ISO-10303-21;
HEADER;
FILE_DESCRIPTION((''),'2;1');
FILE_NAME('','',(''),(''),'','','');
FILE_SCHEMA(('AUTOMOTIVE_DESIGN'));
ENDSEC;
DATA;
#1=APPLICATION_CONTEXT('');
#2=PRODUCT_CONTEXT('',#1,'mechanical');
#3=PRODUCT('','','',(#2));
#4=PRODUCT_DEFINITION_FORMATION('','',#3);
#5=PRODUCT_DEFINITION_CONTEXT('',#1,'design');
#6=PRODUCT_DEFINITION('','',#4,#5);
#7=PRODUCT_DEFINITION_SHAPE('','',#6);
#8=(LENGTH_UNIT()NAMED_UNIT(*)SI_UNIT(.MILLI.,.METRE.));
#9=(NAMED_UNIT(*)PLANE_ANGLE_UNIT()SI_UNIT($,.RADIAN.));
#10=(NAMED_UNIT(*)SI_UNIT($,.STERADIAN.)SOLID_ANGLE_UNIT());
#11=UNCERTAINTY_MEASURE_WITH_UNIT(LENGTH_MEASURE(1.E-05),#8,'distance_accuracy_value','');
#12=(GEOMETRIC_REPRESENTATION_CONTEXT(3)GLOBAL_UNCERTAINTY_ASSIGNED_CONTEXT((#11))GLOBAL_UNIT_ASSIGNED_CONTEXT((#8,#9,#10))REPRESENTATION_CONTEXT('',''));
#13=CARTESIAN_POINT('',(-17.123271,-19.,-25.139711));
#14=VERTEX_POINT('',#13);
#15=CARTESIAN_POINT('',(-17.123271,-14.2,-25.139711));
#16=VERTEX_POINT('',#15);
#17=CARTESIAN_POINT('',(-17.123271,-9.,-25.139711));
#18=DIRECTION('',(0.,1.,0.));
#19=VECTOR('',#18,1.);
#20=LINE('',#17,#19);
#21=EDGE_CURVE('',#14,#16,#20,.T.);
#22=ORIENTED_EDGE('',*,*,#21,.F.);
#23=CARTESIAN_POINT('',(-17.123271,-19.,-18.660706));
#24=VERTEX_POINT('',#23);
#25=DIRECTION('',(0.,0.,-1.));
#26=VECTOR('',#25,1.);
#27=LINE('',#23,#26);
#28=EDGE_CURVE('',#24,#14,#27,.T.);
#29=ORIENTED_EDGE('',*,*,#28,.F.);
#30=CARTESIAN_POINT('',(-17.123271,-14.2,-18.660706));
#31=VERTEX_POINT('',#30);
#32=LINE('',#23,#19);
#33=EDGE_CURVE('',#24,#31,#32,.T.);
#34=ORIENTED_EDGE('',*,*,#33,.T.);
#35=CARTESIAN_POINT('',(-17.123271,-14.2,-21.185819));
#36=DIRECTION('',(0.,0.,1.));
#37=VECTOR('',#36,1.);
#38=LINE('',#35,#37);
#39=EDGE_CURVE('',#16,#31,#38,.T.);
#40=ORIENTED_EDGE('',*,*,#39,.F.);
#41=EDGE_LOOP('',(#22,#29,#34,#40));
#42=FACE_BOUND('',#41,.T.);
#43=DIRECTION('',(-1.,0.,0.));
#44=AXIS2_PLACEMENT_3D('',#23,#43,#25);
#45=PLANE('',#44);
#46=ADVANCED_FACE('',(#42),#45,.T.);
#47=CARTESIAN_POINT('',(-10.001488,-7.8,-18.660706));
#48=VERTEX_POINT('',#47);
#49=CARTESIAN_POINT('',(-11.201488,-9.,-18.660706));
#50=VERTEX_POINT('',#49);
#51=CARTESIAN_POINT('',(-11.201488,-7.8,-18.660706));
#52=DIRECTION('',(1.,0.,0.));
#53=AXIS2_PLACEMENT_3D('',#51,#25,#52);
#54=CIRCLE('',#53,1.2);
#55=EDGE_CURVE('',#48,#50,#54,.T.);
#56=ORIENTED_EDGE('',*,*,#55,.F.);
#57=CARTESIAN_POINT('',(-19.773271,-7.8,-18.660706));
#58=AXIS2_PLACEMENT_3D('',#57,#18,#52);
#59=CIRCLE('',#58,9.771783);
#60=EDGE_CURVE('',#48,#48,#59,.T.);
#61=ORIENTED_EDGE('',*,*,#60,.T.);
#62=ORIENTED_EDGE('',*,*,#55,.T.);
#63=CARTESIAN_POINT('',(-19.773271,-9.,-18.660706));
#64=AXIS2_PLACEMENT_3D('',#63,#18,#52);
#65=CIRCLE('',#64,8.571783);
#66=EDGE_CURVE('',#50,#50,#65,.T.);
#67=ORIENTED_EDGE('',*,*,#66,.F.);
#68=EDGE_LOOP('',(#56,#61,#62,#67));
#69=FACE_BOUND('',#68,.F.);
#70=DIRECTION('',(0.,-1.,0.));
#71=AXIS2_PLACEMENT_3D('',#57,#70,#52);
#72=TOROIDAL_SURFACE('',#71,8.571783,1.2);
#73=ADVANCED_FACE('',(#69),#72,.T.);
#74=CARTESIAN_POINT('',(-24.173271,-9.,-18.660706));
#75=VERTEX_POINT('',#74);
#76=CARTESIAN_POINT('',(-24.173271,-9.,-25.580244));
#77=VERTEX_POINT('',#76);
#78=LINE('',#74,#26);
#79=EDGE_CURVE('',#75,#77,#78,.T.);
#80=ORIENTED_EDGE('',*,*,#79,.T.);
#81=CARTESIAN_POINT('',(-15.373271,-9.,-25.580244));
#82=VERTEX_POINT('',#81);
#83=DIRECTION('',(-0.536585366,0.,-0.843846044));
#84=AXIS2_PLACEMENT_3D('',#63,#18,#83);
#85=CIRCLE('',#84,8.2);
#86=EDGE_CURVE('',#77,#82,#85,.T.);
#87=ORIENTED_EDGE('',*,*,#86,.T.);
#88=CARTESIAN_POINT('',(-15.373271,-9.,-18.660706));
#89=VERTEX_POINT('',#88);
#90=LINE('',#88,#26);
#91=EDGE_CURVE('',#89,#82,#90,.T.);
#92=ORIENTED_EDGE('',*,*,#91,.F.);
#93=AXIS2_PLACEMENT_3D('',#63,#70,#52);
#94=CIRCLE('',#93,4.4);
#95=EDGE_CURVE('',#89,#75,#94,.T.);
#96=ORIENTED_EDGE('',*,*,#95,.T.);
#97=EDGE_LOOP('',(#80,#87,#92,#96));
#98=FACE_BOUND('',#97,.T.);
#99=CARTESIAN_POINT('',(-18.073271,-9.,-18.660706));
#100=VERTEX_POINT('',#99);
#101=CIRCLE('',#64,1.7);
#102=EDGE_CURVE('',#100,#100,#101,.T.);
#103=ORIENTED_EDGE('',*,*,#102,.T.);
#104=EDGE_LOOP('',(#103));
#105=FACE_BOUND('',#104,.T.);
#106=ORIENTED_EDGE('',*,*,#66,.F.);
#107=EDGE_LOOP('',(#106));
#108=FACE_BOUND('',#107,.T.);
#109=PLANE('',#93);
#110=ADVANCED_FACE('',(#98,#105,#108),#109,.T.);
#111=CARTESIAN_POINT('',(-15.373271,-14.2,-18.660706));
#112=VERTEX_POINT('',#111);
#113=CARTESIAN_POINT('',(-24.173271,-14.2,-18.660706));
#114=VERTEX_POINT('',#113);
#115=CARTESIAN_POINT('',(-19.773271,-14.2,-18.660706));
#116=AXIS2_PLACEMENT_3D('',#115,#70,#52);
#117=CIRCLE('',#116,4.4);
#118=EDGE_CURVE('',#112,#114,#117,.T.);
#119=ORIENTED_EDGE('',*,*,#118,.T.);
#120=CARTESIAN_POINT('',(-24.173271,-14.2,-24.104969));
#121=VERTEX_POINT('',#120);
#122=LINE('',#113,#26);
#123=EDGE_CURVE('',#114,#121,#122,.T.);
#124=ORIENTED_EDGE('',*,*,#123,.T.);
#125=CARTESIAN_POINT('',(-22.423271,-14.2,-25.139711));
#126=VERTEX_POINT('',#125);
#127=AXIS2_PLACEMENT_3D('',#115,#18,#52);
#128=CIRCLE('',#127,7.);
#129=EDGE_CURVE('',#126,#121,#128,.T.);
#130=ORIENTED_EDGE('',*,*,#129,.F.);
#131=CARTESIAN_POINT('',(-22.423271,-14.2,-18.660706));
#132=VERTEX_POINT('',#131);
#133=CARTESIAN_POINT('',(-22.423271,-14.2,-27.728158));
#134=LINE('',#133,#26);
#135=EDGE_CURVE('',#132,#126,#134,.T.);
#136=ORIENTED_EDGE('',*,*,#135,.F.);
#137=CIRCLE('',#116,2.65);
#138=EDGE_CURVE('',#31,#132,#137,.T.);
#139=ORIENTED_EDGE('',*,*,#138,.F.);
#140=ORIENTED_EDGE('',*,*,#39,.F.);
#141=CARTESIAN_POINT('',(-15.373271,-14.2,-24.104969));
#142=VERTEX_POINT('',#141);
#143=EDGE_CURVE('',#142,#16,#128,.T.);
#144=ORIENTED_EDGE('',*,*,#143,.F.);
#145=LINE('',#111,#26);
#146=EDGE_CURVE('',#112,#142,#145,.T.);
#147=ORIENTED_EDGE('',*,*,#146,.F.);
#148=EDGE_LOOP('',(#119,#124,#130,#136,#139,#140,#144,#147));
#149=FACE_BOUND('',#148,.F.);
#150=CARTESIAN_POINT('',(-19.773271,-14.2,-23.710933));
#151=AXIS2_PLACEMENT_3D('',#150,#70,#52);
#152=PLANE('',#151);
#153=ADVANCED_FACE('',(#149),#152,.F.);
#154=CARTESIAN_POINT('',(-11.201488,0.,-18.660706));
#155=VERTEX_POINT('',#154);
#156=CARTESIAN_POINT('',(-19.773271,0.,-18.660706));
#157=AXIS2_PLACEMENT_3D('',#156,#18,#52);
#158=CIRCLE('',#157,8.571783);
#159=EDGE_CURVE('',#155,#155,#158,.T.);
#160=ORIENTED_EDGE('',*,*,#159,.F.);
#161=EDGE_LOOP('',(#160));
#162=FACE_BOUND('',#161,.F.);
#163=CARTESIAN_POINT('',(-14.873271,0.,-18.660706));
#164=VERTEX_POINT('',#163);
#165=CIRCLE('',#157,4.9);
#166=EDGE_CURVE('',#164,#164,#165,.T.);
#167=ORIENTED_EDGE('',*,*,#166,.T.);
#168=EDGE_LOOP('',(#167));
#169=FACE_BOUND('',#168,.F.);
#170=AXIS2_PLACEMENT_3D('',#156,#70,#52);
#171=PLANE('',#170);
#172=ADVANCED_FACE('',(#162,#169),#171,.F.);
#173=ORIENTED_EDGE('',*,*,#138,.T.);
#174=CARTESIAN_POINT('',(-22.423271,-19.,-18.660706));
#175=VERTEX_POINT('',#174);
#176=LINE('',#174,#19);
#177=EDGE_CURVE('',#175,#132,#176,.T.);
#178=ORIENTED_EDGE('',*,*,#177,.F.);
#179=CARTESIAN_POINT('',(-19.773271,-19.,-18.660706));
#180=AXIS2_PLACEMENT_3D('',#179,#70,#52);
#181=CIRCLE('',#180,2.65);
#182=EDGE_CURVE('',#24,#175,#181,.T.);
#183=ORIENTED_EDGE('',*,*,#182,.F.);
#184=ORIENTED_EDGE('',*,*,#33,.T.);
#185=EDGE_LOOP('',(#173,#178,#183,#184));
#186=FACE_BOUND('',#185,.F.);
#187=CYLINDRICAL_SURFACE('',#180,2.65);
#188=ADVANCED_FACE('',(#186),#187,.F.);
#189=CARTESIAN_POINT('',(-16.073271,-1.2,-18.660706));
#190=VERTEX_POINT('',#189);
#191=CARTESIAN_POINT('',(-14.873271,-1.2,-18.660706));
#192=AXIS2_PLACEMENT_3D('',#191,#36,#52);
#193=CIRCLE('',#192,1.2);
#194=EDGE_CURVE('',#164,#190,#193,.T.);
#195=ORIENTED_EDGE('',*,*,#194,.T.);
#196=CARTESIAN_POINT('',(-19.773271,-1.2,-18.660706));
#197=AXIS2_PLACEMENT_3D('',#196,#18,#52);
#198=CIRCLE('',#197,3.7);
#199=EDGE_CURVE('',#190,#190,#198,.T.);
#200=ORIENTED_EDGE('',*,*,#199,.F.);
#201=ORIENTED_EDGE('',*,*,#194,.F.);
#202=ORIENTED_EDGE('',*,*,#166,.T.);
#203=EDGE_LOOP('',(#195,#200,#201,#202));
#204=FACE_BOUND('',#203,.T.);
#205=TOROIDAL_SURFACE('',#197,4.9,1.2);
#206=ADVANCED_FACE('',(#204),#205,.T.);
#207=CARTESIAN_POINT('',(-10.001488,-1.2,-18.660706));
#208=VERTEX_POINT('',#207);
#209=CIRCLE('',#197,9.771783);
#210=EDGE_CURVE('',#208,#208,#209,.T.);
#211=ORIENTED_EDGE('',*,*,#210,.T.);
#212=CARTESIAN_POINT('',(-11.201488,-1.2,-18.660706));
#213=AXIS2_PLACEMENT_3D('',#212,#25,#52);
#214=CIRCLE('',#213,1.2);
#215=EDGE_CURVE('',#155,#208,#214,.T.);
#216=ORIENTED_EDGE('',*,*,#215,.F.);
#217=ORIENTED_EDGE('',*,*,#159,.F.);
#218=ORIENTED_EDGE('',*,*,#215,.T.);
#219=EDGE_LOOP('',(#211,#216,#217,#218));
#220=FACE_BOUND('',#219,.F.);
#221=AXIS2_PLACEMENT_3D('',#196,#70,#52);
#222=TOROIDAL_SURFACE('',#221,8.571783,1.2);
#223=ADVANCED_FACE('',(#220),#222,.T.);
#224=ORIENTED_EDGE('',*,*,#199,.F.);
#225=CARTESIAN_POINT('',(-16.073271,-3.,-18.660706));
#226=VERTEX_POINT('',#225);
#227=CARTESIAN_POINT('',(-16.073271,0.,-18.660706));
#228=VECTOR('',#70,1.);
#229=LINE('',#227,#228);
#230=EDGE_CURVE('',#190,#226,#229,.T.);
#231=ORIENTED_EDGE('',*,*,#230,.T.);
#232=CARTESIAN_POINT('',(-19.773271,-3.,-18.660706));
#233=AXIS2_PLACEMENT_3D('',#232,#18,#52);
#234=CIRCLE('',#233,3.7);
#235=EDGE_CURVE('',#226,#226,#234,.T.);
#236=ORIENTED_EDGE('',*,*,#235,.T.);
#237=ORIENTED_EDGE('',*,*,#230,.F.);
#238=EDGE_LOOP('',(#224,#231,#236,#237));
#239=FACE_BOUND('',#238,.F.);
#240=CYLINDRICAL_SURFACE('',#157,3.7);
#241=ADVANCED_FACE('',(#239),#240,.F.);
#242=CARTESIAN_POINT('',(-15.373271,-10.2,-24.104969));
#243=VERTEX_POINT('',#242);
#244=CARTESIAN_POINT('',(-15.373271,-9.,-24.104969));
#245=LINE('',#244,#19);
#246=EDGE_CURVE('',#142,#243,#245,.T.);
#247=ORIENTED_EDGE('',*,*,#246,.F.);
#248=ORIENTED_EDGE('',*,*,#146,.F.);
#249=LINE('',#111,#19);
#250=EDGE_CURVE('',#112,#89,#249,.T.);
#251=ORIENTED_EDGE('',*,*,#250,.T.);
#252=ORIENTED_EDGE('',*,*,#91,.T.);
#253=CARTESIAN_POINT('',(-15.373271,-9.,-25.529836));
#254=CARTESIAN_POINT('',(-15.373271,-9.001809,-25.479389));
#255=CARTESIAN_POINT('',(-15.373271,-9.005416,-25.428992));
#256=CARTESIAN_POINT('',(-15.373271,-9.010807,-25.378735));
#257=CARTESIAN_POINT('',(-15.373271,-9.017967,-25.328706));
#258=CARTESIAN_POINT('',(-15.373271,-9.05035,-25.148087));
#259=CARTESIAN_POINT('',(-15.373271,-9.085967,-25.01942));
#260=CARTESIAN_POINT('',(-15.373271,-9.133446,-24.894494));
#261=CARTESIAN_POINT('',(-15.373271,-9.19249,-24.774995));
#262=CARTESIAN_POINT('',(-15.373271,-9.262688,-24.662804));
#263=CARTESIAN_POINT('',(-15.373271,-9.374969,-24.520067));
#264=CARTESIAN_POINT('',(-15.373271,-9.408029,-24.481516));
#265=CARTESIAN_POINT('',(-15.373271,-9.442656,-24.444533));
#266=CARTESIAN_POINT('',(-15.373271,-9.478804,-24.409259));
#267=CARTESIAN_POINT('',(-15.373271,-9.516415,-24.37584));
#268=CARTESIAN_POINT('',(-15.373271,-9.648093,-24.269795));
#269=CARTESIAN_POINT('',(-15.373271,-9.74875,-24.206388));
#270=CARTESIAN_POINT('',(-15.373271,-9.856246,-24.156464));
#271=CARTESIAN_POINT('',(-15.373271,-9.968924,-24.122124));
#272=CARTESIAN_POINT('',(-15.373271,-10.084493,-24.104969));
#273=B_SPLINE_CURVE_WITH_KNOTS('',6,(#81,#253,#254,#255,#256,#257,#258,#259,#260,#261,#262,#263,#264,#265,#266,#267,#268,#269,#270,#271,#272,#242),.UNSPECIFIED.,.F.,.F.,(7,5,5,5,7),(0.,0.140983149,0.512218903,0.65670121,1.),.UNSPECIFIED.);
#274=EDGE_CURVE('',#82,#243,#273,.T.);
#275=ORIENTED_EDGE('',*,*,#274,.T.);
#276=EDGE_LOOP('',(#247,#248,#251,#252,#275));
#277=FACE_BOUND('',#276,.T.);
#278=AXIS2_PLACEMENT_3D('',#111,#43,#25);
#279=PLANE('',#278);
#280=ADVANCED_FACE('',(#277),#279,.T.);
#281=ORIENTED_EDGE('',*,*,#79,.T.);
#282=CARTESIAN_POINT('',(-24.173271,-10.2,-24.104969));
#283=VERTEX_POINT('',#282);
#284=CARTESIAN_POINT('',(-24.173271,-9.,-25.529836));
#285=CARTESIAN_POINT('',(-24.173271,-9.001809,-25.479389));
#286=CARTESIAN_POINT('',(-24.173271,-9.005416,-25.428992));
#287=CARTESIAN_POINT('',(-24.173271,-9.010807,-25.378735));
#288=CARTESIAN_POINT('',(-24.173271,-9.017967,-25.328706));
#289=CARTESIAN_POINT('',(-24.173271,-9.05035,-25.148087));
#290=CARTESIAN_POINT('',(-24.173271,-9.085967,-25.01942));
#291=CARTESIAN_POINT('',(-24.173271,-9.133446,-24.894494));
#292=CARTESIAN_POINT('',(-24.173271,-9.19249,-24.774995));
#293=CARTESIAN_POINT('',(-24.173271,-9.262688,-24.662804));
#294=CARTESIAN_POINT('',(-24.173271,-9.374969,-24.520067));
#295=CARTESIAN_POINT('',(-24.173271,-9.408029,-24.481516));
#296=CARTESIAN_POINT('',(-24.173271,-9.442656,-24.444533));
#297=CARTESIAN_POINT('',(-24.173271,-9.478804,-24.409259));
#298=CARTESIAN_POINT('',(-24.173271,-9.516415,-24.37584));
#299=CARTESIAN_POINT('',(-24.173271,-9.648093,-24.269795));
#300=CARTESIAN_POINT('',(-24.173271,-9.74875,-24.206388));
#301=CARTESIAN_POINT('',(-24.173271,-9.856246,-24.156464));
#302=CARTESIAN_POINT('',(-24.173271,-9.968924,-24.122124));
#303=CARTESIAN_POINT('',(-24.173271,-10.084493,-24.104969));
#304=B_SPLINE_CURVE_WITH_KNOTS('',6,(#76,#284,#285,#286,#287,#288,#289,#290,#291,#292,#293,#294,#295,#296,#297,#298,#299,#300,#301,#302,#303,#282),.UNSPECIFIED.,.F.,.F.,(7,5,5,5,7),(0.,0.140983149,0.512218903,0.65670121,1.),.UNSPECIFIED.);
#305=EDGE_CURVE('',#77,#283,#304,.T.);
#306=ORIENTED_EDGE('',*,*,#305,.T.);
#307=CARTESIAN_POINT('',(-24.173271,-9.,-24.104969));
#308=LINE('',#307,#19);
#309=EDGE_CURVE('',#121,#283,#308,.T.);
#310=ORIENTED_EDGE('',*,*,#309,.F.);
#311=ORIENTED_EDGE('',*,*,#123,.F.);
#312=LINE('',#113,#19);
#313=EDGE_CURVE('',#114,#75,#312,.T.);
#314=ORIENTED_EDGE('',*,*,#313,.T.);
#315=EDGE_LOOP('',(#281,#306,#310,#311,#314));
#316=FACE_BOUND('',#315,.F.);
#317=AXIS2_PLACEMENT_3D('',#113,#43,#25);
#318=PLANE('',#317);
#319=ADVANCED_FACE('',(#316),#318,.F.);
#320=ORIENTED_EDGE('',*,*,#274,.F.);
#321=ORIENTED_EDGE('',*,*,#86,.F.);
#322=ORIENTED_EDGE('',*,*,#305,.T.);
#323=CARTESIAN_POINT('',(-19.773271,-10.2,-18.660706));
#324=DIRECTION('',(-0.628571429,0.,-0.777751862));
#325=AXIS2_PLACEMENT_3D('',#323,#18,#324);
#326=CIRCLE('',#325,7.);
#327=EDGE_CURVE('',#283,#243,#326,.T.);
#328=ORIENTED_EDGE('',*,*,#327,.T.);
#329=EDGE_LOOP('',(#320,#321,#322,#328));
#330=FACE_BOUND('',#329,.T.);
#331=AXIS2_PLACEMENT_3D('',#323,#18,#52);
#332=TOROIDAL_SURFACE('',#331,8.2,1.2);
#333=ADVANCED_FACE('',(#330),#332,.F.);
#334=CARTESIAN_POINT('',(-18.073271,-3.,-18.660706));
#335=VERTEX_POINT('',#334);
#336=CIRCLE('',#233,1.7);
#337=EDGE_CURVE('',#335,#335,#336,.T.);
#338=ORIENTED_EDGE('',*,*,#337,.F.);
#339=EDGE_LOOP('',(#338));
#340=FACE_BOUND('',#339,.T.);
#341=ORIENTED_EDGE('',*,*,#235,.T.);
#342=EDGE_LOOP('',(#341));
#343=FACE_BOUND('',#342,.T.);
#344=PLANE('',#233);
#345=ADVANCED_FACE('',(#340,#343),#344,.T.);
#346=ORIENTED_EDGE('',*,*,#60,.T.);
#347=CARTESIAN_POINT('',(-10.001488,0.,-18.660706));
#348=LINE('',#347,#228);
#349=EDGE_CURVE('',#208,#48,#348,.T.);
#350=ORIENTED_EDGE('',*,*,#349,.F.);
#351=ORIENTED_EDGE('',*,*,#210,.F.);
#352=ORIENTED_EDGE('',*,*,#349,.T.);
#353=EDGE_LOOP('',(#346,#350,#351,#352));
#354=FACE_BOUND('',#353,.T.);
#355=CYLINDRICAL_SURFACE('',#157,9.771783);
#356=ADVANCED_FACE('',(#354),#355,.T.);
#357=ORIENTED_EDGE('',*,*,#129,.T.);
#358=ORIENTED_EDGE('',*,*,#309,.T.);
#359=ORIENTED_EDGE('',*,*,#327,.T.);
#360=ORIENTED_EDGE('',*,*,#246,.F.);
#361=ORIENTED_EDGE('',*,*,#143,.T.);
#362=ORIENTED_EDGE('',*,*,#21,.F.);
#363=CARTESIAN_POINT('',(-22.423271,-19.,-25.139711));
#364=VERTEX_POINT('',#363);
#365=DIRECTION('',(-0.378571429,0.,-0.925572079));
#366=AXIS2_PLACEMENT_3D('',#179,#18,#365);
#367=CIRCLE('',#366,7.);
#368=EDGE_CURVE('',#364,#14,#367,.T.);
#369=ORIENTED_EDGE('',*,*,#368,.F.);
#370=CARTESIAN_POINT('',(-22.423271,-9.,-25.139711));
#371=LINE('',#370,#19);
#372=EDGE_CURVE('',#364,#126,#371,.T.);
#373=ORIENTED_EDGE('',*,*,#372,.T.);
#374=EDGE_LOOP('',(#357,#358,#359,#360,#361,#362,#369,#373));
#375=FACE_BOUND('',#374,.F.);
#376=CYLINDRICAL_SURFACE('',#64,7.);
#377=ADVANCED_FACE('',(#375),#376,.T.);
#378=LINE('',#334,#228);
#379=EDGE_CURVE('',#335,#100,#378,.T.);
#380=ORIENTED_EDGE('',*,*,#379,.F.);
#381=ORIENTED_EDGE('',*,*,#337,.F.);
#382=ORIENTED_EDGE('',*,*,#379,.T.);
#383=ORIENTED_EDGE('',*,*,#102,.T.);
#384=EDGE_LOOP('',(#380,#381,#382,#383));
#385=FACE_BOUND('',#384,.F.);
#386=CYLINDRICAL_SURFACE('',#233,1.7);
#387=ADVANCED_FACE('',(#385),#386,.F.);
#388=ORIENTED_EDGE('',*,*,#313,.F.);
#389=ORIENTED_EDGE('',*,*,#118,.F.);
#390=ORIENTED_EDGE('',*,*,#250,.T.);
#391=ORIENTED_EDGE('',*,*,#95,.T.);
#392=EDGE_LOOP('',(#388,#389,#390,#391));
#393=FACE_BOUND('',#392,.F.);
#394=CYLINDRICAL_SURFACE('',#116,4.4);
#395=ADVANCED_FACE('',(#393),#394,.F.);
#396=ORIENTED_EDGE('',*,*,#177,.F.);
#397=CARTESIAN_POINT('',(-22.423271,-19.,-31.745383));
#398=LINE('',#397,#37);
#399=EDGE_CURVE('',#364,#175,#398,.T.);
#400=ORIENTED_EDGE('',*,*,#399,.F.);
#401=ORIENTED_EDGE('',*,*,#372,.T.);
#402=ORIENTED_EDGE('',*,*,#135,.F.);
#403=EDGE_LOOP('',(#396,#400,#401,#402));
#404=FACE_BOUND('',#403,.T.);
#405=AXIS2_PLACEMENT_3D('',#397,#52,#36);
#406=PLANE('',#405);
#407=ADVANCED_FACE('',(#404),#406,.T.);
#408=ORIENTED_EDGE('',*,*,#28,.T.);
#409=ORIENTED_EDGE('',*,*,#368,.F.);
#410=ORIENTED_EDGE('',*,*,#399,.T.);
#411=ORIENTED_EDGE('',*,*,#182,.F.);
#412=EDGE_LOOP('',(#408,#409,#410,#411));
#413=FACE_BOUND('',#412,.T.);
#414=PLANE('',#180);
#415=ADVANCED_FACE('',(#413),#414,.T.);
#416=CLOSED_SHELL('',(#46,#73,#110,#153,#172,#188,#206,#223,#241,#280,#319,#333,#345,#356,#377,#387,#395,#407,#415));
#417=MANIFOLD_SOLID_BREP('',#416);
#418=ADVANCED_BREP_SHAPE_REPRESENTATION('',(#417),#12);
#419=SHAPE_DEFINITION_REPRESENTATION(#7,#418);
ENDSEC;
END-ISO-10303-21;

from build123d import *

# Parameters (mm, degrees)
SKETCH067_W     = 20
SKETCH067_H     = 20
PAD025_DEPTH    = 9
SKETCH061_R     = 7
PAD024_DEPTH    = 10
POCKET040_DEPTH = 8
SKETCH063_W     = 8.75
SKETCH063_H     = 5.2
POCKET036_DEPTH = 1
SKETCH060_R     = 3.7
POCKET035_DEPTH = 3
SKETCH059_R     = 1.675
POCKET039_DEPTH = 5
SKETCH068_R     = 16.754851
SKETCH068_R_2   = 9.771783
POCKET041_DEPTH = 20
SKETCH062_R     = 1.7
POCKET042_DEPTH = 20
FILLET008_R     = 1.2
POCKET043_DEPTH = 5.2


with BuildPart() as part:
    # Sketch067 → Pad025 (new body)
    with BuildSketch(Plane.XZ):
        with Locations((-19.773271, -18.660706)):
            Rectangle(SKETCH067_W, SKETCH067_H)
    extrude(amount=PAD025_DEPTH)

    # Sketch061 (on Face6 of Pad025) → Pad024 (join)
    with BuildSketch(Plane.XZ.offset(9)):
        with Locations((-19.773271, -18.660706)):
            Circle(SKETCH061_R)
    extrude(amount=PAD024_DEPTH)

    # Sketch065 (on Face8 of Pad024) → Pocket040 (cut)
    with BuildSketch(Plane.XZ.offset(19)):
        with BuildLine():
            Line((-17.123271, -18.660706), (-17.123271, -31.745383))
            Line((-17.123271, -31.745383), (-22.423271, -31.745383))
            Line((-22.423271, -31.745383), (-22.423271, -18.660706))
            ThreePointArc((-17.123271, -18.660706), (-19.773271, -16.010706), (-22.423271, -18.660706))
        make_face()
    extrude(amount=-POCKET040_DEPTH, mode=Mode.SUBTRACT)

    # Sketch063 (on Face6 of Pocket040) → Pocket036 (cut)
    with BuildSketch(Plane(origin=(0, 0, -28.660706), x_dir=(1, 0, 0), z_dir=(0, 0, -1))):
        with Locations((-19.773271, 11.6)):
            Rectangle(SKETCH063_W, SKETCH063_H)
    extrude(amount=-POCKET036_DEPTH, mode=Mode.SUBTRACT)

    # Sketch060 (on Face4 of Pocket036) → Pocket035 (cut)
    with BuildSketch(Plane(origin=(0, 0, 0), x_dir=(1, 0, 0), z_dir=(0, 1, 0))):
        with Locations((-19.773271, 18.660706)):
            Circle(SKETCH060_R)
    extrude(amount=-POCKET035_DEPTH, mode=Mode.SUBTRACT)

    # Sketch059 (on Face11 of Pocket035) → Pocket039 (cut)
    with BuildSketch(Plane.XZ.offset(19)):
        with Locations((-19.773271, -18.660706)):
            Circle(SKETCH059_R)
    extrude(amount=-POCKET039_DEPTH, mode=Mode.SUBTRACT)

    # Sketch068 (on Face4 of Pocket039) → Pocket041 (cut)
    with BuildSketch(Plane(origin=(0, 0, 0), x_dir=(1, 0, 0), z_dir=(0, 1, 0))):
        with Locations((-19.773271, 18.660706)):
            Circle(SKETCH068_R)
        with Locations((-19.773271, 18.660706)):
            Circle(SKETCH068_R_2, mode=Mode.SUBTRACT)
    extrude(amount=-POCKET041_DEPTH, mode=Mode.SUBTRACT)

    # Sketch062 → Pocket042 (cut)
    with BuildSketch(Plane(origin=(0, -3, 0), x_dir=(1, 0, 0), z_dir=(0, 1, 0))):
        with Locations((-19.773271, 18.660706)):
            Circle(SKETCH062_R)
    extrude(amount=-POCKET042_DEPTH, mode=Mode.SUBTRACT)

    # Fillet008
    fillet008_edges = [part.edges().sort_by_distance(p)[0] for p in [
        (-19.773271, -9, -27.660706),
        (-25.172051, -9, -10.515712),
        (-11.628277, -9, -24.059485),
        (-26.773271, -9, -18.660706),
        (-29.545054, 0, -18.660706),
        (-23.473271, 0, -18.660706),
    ]]
    fillet(fillet008_edges, radius=FILLET008_R)

    # Sketch064 → Pocket043 (cut)
    with BuildSketch(Plane.XZ.offset(14.2)):
        with BuildLine():
            ThreePointArc((-15.373271, -18.660706), (-19.773271, -14.260706), (-24.173271, -18.660706))
            Line((-24.173271, -18.660706), (-24.173271, -31.35503))
            Line((-24.173271, -31.35503), (-15.373271, -31.35503))
            Line((-15.373271, -18.660706), (-15.373271, -31.35503))
        make_face()
    extrude(amount=-POCKET043_DEPTH, mode=Mode.SUBTRACT)


solid = part.part
